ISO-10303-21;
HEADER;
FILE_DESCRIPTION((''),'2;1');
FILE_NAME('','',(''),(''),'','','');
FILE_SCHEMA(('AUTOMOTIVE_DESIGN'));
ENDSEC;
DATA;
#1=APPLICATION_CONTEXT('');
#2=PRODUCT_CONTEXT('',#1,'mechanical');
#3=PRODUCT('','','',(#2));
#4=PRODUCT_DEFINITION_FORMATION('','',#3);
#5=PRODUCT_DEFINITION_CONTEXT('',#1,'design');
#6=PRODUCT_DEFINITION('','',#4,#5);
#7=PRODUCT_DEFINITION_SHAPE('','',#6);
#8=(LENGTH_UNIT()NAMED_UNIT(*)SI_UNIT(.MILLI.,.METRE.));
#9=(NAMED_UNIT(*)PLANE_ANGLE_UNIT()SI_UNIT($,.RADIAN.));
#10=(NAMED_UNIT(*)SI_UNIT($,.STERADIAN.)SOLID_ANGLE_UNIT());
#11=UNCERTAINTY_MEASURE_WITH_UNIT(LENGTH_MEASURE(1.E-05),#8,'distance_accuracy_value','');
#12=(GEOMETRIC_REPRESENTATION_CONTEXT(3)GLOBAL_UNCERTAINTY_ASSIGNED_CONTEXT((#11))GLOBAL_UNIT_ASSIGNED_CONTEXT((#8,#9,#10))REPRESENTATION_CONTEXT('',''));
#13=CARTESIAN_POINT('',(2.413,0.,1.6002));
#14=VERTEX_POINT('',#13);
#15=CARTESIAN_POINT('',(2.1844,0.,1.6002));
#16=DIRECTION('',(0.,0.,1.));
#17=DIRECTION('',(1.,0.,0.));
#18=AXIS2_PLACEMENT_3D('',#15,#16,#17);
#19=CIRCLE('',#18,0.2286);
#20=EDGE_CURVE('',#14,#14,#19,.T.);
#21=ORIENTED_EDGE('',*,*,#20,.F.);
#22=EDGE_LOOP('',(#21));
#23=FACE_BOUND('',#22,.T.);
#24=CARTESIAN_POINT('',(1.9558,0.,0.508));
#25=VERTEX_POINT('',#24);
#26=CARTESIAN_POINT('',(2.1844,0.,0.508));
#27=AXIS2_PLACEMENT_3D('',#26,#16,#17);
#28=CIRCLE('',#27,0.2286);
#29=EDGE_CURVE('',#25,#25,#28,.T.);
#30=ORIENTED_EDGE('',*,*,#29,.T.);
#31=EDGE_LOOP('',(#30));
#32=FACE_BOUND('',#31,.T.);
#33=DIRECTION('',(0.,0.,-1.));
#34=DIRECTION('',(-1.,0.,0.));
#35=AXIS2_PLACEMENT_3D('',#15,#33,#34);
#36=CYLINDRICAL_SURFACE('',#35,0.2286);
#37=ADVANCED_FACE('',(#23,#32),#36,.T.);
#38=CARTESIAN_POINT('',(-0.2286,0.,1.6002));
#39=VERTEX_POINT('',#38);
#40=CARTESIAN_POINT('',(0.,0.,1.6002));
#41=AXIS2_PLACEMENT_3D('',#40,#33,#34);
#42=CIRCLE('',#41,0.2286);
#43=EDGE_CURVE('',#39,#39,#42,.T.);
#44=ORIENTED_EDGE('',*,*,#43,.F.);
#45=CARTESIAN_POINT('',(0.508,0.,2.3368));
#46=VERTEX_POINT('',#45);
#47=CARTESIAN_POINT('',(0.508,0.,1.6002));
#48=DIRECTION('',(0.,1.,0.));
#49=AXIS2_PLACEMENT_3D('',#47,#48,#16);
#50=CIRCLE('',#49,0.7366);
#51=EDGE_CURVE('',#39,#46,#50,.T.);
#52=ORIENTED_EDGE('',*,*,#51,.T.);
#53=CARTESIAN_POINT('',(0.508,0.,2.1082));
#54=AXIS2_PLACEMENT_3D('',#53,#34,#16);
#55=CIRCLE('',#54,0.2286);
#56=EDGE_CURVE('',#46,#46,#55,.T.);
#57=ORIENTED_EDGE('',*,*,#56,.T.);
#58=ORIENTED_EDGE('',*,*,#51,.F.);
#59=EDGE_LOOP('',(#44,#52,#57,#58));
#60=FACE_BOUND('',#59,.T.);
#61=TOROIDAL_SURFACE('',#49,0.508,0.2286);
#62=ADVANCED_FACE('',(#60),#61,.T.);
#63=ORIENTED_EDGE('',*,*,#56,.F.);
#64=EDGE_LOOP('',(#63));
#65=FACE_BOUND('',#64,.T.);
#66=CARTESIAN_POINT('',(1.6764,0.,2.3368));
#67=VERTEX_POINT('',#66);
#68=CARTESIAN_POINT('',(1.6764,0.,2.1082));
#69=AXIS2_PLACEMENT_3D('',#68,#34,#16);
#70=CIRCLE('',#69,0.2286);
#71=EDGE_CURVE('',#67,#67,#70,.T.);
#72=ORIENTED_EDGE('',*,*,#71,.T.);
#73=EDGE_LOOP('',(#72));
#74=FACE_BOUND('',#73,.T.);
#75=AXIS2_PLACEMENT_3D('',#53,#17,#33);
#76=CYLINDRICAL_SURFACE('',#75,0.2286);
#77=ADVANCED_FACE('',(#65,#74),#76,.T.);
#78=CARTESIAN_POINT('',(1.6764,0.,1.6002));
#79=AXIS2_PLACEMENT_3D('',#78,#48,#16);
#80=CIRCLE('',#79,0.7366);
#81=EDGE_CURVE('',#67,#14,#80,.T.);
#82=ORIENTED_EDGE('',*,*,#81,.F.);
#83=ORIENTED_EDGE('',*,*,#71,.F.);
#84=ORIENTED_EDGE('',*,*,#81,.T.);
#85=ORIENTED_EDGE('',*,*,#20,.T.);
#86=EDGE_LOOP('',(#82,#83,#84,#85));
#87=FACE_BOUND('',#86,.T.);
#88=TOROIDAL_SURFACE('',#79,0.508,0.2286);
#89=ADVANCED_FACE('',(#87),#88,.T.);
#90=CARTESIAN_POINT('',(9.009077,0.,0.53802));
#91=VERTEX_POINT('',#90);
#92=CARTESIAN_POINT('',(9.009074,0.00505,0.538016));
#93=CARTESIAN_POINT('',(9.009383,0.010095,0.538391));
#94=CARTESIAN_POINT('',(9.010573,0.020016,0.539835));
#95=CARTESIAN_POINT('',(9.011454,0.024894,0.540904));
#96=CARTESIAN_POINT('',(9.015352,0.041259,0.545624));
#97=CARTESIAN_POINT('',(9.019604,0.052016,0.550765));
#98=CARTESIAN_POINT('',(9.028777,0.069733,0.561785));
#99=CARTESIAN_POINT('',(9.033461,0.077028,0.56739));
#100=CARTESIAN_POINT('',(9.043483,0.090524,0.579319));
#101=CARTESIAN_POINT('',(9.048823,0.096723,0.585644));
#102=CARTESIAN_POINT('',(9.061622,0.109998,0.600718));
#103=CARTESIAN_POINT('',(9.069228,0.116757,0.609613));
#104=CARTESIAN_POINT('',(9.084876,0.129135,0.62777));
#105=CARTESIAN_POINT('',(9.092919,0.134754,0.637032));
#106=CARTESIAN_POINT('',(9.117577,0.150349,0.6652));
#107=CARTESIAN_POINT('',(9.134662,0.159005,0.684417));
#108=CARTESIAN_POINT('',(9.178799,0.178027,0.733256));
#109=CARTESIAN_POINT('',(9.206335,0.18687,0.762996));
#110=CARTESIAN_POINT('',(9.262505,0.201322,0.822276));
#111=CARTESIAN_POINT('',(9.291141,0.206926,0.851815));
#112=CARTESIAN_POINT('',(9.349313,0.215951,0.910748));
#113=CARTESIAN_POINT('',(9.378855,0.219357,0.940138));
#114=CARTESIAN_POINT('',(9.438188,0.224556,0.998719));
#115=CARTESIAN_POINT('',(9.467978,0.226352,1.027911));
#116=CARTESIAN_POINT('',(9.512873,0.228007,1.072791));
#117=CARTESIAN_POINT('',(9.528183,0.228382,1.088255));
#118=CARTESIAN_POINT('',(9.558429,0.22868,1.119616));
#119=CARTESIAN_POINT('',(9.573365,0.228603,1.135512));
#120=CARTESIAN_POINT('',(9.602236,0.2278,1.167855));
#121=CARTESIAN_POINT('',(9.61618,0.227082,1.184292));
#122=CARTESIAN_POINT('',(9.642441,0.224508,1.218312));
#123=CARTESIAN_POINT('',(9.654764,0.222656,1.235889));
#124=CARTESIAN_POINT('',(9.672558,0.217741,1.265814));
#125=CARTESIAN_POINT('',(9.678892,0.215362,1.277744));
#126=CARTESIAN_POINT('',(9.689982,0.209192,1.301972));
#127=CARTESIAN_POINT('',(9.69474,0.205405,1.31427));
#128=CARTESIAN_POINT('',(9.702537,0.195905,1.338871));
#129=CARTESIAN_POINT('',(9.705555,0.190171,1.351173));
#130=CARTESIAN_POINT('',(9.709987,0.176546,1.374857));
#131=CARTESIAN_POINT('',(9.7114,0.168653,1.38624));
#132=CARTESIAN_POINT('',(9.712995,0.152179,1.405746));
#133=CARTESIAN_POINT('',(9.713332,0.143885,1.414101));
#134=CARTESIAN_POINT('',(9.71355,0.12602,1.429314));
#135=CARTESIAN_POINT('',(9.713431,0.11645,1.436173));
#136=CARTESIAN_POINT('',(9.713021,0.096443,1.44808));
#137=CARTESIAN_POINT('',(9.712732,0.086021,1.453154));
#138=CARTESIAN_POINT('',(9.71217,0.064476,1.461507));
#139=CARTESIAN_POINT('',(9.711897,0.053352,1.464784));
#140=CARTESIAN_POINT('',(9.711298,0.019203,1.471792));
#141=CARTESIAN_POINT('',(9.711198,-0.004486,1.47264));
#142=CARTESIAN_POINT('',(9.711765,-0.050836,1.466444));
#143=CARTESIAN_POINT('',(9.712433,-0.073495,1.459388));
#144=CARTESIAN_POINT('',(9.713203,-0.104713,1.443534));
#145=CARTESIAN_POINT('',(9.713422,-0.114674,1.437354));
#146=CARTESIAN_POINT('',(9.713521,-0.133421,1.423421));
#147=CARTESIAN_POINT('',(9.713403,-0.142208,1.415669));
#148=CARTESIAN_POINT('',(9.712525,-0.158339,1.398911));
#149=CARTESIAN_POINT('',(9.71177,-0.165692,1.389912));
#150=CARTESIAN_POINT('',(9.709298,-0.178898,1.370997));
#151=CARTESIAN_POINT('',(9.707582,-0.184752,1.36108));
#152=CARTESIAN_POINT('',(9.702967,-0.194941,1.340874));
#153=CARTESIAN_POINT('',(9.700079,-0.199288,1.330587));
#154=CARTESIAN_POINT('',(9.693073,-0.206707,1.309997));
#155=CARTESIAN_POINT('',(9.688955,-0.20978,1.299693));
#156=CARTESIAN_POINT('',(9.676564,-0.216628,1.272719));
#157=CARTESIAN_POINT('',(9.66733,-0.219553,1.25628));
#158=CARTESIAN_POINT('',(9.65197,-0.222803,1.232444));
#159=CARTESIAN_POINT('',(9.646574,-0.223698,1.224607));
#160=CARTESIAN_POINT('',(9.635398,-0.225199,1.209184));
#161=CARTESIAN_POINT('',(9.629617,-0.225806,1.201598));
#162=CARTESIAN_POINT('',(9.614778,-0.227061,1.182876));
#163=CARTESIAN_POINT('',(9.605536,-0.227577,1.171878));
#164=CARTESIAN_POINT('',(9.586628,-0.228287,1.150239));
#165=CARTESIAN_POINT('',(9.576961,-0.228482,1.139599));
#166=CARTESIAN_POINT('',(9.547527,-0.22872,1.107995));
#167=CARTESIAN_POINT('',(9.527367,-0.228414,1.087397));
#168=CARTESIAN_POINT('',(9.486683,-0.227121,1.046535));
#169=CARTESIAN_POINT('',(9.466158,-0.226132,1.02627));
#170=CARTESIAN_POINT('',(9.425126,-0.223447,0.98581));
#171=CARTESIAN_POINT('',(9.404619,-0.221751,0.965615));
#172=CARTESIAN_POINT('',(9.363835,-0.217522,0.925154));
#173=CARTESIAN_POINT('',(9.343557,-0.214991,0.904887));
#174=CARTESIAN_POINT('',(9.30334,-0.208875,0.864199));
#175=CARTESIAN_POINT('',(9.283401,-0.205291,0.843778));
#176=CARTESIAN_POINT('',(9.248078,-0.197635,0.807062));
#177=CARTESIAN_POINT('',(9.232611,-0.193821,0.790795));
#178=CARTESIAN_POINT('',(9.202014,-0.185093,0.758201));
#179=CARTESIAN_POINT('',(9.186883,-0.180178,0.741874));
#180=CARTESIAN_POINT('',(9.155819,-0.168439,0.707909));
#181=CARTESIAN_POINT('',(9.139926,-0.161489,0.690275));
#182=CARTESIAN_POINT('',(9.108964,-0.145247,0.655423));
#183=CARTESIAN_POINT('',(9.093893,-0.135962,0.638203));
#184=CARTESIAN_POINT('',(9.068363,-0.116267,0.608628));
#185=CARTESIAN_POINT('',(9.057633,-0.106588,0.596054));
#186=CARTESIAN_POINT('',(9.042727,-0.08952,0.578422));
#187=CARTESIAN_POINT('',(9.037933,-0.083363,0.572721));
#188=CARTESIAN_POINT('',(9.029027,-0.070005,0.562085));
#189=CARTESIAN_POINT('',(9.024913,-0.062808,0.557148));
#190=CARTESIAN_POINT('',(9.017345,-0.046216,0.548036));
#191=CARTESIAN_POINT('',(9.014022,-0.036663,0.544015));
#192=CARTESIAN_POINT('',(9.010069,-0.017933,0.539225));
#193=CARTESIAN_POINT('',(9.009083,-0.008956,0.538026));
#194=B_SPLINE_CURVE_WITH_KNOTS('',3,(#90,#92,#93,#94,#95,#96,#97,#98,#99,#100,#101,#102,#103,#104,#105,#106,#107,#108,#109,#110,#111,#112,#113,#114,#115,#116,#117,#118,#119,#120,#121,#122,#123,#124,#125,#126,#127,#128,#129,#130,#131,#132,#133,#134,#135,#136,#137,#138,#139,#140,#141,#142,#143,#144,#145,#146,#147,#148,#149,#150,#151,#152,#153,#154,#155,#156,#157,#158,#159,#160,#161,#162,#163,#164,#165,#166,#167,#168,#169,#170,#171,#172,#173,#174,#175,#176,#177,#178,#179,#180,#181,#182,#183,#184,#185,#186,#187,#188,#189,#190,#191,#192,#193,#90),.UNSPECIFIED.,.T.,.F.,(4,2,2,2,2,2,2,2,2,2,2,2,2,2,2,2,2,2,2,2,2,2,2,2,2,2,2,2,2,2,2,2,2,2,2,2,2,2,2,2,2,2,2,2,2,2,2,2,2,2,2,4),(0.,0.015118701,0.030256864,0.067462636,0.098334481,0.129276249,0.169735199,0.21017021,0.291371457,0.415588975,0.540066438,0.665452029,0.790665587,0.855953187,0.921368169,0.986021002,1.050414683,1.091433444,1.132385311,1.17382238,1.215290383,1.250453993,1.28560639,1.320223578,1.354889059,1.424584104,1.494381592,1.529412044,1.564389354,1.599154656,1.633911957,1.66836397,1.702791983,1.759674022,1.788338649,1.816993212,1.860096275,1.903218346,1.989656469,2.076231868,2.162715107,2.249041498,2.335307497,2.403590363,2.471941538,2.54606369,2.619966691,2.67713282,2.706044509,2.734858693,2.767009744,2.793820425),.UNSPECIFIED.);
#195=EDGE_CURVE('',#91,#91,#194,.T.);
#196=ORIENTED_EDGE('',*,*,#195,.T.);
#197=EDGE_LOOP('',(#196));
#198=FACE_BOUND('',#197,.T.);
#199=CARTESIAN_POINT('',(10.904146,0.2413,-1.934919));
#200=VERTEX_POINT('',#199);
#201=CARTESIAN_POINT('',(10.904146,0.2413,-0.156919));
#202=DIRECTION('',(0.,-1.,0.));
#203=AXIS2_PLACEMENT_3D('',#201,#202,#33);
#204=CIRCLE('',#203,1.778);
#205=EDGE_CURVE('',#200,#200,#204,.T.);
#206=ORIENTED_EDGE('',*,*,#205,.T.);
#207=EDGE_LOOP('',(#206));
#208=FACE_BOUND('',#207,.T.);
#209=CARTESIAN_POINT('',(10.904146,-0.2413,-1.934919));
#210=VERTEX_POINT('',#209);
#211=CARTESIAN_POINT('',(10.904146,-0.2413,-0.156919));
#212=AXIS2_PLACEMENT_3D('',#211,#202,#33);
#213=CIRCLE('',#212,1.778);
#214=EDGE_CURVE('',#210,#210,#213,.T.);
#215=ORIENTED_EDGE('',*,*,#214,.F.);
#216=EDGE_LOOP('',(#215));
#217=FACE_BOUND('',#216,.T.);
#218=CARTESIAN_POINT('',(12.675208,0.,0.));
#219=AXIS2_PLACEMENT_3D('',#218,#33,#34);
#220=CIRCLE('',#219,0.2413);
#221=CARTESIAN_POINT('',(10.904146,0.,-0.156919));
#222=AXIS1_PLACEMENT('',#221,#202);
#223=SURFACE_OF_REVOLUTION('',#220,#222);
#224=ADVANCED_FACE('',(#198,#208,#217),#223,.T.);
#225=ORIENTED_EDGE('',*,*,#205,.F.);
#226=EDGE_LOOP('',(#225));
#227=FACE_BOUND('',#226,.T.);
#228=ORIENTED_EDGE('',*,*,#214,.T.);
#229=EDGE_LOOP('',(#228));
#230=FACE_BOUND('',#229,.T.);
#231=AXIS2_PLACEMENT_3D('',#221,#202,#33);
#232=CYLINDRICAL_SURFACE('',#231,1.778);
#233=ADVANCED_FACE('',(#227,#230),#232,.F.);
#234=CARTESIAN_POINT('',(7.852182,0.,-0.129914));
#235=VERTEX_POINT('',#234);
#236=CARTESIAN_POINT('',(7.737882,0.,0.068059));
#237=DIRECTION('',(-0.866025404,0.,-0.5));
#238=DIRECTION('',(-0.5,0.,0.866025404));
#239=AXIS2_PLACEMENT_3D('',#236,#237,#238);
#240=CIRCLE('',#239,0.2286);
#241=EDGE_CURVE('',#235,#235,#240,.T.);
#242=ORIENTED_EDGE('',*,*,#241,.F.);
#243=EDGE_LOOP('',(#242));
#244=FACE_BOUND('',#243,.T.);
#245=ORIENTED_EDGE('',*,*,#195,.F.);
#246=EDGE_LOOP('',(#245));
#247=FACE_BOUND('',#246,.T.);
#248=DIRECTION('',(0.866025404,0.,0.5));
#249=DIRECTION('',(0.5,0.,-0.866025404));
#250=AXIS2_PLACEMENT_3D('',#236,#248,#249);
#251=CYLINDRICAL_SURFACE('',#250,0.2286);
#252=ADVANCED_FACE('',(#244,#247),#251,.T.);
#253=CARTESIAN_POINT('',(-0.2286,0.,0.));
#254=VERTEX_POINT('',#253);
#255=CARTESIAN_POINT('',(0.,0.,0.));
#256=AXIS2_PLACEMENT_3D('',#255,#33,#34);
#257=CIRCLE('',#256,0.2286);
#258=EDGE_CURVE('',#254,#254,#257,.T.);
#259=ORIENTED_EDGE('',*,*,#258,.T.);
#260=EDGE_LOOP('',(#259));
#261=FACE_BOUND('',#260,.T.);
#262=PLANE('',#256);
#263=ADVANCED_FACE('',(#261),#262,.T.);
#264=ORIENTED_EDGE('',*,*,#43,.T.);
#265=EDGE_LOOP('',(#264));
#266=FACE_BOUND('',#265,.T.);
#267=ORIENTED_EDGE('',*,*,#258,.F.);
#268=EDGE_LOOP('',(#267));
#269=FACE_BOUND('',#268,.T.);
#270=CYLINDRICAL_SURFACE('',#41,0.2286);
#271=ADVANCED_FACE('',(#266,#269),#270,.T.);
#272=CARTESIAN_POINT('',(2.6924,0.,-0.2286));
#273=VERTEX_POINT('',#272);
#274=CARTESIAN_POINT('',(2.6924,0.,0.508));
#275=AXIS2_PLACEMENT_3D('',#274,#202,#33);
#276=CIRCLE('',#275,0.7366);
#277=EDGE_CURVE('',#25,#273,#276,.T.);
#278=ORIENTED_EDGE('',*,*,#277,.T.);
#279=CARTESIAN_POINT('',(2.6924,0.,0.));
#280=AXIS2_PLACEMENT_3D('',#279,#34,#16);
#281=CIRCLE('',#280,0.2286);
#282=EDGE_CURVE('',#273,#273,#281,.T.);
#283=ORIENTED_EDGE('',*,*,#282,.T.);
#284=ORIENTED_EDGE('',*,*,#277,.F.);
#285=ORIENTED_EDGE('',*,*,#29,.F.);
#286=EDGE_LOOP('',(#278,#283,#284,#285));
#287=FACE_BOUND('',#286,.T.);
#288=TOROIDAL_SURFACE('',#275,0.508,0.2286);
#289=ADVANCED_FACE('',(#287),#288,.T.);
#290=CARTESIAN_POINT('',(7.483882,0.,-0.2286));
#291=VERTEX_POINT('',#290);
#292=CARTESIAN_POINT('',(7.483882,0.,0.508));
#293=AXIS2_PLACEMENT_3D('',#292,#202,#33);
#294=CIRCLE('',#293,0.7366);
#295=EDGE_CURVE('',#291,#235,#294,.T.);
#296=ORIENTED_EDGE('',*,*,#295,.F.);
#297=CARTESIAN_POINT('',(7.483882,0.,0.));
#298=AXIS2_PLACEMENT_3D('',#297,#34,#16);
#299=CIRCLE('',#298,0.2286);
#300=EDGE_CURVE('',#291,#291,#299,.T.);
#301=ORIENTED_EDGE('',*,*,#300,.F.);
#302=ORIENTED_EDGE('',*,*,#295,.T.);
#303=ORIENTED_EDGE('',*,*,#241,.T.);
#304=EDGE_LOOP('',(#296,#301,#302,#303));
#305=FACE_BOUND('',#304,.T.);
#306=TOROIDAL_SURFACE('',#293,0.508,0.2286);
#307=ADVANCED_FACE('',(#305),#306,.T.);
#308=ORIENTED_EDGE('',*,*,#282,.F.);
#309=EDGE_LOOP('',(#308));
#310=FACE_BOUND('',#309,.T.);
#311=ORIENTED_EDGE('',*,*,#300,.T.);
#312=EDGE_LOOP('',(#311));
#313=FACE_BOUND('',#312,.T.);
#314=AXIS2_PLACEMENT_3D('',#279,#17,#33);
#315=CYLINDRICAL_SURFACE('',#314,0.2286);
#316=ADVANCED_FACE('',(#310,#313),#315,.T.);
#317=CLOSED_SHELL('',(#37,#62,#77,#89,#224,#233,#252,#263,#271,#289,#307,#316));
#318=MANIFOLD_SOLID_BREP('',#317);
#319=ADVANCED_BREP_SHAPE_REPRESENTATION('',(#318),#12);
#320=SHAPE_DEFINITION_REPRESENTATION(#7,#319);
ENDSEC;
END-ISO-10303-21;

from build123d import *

# Parameters (mm, degrees)
SKETCH2_R               = 0.2286
SKETCH5_R               = 1.778
CUT_EXTRUDE1_DEPTH      = 14.134416106
CUT_EXTRUDE1_DEPTH_BACK = 14.134416106


with BuildPart() as part:
    # Sweep1: sweep along a path in Sketch1
    with BuildLine(Plane(origin=(0, 0, 0), x_dir=(1, 0, 0), z_dir=(0, 1, 0))) as sweep1_path:
        Line((10.006014851, -1.377566316), (7.73788181, -0.068059095))
        ThreePointArc((7.73788181, -0.068059095), (7.615361885, -0.01730968), (7.48388181, 0))
        Line((7.48388181, 0), (2.6924, 0))
        ThreePointArc((2.6924, 0), (2.333189755, -0.148789755), (2.1844, -0.508))
        Line((2.1844, -0.508), (2.1844, -1.6002))
        ThreePointArc((2.1844, -1.6002), (2.035610245, -1.959410245), (1.6764, -2.1082))
        Line((1.6764, -2.1082), (0.508, -2.1082))
        ThreePointArc((0.508, -2.1082), (0.148789755, -1.959410245), (0, -1.6002))
        Line((0, -1.6002), (0, 0))
    # Sketch2 → Sweep1 (sweep)
    with BuildSketch(Plane(origin=(0, 0, 0), x_dir=(-1, 0, 0), z_dir=(0, 0, -1))):
        Circle(SKETCH2_R)
    sweep(path=sweep1_path.line)

    # Sweep2: sweep along a path in Sketch3
    with BuildLine(Plane(origin=(0, 0, 0), x_dir=(1, 0, 0), z_dir=(0, 1, 0))) as sweep2_path:
        CenterArc((10.904145983, 0.156918766), 1.778, 0, 360)
    # Sketch4 → Sweep2 (sweep)
    with BuildSketch(Plane(origin=(0, 0, 0), x_dir=(-1, 0, 0), z_dir=(0, 0, -1))):
        with BuildLine():
            Line((-12.675207953, 0.2413), (-12.675207953, -0.2413))
            ThreePointArc((-12.675207953, -0.2413), (-12.916507953, 0), (-12.675207953, 0.2413))
        make_face()
    sweep(path=sweep2_path.line)

    # Sketch5 → Cut-Extrude1 (cut, two sides)
    with BuildSketch(Plane(origin=(0, 0, 0), x_dir=(1, 0, 0), z_dir=(0, 1, 0))) as cut_extrude1_sk:
        with Locations(Location((10.904145983, 0.156918766, 0), (0, 0, 90))):
            Circle(SKETCH5_R)
    extrude(amount=CUT_EXTRUDE1_DEPTH, mode=Mode.SUBTRACT)
    extrude(cut_extrude1_sk.sketch, amount=-CUT_EXTRUDE1_DEPTH_BACK, mode=Mode.SUBTRACT)


solid = part.part
